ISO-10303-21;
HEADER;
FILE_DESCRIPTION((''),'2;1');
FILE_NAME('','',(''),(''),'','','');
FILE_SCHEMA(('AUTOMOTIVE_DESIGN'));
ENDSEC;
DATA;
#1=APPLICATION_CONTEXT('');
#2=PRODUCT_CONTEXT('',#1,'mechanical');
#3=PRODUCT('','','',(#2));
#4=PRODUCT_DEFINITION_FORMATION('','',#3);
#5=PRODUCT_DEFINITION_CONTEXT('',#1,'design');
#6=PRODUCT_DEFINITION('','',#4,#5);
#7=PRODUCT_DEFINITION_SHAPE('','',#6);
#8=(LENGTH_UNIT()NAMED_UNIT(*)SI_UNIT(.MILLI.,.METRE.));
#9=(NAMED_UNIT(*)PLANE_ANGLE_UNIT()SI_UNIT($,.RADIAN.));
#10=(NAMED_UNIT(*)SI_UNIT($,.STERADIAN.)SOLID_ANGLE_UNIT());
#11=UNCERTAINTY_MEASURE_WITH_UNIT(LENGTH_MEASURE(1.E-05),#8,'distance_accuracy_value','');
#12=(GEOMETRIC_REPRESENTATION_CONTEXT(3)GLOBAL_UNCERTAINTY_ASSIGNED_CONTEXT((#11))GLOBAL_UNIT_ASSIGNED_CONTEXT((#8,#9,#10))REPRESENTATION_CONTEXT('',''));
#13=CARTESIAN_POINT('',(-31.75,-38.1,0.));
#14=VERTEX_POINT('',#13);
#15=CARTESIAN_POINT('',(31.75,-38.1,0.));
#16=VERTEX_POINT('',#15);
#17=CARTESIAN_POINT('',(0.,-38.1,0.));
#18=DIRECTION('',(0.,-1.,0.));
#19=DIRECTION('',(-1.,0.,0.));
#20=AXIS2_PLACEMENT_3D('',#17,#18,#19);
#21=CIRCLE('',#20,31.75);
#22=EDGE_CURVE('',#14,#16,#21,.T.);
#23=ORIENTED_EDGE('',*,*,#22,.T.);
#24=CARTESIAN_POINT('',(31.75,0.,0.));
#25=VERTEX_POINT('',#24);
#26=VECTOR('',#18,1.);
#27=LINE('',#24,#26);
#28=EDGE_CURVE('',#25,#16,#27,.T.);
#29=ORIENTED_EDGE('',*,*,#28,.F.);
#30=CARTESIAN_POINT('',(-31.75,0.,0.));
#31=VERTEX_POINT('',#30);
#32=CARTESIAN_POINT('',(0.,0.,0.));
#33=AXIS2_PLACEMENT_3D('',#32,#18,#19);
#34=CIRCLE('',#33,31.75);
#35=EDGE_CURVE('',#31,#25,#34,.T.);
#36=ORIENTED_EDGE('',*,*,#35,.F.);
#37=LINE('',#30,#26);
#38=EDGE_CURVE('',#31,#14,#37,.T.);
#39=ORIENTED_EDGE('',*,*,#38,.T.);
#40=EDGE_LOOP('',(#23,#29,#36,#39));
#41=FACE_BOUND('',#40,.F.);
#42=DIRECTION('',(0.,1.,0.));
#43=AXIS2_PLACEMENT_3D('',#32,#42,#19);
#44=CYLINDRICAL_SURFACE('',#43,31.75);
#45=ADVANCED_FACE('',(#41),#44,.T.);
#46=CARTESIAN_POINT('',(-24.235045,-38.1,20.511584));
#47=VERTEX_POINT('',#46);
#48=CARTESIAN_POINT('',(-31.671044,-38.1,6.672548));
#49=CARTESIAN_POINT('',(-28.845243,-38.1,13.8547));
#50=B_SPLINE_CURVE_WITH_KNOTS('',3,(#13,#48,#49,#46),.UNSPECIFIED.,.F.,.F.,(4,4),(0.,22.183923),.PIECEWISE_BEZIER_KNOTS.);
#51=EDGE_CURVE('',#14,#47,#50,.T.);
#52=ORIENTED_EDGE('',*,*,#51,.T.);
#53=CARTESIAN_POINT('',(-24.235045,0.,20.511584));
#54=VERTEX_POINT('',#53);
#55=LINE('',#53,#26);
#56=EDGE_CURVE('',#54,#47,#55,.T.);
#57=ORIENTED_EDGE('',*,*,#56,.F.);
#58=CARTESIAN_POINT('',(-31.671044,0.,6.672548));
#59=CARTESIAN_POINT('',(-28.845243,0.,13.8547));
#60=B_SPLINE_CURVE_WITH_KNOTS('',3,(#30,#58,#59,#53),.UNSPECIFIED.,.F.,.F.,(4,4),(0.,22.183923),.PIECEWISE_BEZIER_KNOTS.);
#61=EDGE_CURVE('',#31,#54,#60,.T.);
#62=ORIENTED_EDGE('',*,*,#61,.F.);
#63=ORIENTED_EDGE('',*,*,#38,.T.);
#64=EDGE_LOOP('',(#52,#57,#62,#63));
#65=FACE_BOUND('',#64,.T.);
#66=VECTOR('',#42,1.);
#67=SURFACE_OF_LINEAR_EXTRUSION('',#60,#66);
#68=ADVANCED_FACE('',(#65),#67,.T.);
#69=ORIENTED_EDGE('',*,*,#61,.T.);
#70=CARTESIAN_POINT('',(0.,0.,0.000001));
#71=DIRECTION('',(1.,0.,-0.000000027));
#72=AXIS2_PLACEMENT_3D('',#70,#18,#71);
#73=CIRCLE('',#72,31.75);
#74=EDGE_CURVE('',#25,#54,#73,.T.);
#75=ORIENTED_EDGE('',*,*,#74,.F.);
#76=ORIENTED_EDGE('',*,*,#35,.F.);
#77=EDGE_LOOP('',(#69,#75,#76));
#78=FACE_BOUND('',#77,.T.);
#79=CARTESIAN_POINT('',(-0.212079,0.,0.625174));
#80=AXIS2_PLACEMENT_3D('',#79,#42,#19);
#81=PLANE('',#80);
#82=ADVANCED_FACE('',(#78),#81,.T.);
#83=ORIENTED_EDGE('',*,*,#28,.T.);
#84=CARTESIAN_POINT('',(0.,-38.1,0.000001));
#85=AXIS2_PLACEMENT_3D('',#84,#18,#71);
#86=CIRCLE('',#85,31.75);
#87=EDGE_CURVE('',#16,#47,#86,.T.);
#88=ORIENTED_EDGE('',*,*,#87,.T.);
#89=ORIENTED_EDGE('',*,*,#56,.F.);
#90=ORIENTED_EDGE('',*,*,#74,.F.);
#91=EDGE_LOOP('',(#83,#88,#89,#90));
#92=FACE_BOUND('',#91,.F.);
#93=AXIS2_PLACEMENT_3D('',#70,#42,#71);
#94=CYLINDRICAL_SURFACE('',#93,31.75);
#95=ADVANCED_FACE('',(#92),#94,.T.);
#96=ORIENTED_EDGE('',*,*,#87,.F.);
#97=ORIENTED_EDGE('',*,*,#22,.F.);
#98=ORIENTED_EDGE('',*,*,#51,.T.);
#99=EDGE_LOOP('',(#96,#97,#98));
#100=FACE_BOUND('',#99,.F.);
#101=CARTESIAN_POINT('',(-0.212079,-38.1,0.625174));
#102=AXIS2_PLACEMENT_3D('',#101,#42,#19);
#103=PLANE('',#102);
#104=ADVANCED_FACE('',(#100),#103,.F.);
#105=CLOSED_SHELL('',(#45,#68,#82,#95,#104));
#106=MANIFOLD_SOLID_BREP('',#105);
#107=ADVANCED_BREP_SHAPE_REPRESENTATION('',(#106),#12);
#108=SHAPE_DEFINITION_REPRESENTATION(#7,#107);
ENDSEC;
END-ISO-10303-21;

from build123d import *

# Parameters (mm, degrees)
F1_DEPTH = 38.1


with BuildPart() as f1:
    # F0 (on Front) → F1 (new body)
    with BuildSketch(Plane.XZ):
        with BuildLine():
            add(Edge.make_bspline(
                [(-31.75, 0), (-31.671044, 6.672548), (-28.845243, 13.8547), (-24.235045, 20.511584)],
                knots=[0, 0, 0, 0, 22.183923, 22.183923, 22.183923, 22.183923], degree=3))
            ThreePointArc((-31.75, 0), (0, -31.75), (31.75, 0))
            ThreePointArc((31.75, 0), (10.92245, 29.812122), (-24.235045, 20.511584))
        make_face()
    extrude(amount=F1_DEPTH)


solid = f1.part
